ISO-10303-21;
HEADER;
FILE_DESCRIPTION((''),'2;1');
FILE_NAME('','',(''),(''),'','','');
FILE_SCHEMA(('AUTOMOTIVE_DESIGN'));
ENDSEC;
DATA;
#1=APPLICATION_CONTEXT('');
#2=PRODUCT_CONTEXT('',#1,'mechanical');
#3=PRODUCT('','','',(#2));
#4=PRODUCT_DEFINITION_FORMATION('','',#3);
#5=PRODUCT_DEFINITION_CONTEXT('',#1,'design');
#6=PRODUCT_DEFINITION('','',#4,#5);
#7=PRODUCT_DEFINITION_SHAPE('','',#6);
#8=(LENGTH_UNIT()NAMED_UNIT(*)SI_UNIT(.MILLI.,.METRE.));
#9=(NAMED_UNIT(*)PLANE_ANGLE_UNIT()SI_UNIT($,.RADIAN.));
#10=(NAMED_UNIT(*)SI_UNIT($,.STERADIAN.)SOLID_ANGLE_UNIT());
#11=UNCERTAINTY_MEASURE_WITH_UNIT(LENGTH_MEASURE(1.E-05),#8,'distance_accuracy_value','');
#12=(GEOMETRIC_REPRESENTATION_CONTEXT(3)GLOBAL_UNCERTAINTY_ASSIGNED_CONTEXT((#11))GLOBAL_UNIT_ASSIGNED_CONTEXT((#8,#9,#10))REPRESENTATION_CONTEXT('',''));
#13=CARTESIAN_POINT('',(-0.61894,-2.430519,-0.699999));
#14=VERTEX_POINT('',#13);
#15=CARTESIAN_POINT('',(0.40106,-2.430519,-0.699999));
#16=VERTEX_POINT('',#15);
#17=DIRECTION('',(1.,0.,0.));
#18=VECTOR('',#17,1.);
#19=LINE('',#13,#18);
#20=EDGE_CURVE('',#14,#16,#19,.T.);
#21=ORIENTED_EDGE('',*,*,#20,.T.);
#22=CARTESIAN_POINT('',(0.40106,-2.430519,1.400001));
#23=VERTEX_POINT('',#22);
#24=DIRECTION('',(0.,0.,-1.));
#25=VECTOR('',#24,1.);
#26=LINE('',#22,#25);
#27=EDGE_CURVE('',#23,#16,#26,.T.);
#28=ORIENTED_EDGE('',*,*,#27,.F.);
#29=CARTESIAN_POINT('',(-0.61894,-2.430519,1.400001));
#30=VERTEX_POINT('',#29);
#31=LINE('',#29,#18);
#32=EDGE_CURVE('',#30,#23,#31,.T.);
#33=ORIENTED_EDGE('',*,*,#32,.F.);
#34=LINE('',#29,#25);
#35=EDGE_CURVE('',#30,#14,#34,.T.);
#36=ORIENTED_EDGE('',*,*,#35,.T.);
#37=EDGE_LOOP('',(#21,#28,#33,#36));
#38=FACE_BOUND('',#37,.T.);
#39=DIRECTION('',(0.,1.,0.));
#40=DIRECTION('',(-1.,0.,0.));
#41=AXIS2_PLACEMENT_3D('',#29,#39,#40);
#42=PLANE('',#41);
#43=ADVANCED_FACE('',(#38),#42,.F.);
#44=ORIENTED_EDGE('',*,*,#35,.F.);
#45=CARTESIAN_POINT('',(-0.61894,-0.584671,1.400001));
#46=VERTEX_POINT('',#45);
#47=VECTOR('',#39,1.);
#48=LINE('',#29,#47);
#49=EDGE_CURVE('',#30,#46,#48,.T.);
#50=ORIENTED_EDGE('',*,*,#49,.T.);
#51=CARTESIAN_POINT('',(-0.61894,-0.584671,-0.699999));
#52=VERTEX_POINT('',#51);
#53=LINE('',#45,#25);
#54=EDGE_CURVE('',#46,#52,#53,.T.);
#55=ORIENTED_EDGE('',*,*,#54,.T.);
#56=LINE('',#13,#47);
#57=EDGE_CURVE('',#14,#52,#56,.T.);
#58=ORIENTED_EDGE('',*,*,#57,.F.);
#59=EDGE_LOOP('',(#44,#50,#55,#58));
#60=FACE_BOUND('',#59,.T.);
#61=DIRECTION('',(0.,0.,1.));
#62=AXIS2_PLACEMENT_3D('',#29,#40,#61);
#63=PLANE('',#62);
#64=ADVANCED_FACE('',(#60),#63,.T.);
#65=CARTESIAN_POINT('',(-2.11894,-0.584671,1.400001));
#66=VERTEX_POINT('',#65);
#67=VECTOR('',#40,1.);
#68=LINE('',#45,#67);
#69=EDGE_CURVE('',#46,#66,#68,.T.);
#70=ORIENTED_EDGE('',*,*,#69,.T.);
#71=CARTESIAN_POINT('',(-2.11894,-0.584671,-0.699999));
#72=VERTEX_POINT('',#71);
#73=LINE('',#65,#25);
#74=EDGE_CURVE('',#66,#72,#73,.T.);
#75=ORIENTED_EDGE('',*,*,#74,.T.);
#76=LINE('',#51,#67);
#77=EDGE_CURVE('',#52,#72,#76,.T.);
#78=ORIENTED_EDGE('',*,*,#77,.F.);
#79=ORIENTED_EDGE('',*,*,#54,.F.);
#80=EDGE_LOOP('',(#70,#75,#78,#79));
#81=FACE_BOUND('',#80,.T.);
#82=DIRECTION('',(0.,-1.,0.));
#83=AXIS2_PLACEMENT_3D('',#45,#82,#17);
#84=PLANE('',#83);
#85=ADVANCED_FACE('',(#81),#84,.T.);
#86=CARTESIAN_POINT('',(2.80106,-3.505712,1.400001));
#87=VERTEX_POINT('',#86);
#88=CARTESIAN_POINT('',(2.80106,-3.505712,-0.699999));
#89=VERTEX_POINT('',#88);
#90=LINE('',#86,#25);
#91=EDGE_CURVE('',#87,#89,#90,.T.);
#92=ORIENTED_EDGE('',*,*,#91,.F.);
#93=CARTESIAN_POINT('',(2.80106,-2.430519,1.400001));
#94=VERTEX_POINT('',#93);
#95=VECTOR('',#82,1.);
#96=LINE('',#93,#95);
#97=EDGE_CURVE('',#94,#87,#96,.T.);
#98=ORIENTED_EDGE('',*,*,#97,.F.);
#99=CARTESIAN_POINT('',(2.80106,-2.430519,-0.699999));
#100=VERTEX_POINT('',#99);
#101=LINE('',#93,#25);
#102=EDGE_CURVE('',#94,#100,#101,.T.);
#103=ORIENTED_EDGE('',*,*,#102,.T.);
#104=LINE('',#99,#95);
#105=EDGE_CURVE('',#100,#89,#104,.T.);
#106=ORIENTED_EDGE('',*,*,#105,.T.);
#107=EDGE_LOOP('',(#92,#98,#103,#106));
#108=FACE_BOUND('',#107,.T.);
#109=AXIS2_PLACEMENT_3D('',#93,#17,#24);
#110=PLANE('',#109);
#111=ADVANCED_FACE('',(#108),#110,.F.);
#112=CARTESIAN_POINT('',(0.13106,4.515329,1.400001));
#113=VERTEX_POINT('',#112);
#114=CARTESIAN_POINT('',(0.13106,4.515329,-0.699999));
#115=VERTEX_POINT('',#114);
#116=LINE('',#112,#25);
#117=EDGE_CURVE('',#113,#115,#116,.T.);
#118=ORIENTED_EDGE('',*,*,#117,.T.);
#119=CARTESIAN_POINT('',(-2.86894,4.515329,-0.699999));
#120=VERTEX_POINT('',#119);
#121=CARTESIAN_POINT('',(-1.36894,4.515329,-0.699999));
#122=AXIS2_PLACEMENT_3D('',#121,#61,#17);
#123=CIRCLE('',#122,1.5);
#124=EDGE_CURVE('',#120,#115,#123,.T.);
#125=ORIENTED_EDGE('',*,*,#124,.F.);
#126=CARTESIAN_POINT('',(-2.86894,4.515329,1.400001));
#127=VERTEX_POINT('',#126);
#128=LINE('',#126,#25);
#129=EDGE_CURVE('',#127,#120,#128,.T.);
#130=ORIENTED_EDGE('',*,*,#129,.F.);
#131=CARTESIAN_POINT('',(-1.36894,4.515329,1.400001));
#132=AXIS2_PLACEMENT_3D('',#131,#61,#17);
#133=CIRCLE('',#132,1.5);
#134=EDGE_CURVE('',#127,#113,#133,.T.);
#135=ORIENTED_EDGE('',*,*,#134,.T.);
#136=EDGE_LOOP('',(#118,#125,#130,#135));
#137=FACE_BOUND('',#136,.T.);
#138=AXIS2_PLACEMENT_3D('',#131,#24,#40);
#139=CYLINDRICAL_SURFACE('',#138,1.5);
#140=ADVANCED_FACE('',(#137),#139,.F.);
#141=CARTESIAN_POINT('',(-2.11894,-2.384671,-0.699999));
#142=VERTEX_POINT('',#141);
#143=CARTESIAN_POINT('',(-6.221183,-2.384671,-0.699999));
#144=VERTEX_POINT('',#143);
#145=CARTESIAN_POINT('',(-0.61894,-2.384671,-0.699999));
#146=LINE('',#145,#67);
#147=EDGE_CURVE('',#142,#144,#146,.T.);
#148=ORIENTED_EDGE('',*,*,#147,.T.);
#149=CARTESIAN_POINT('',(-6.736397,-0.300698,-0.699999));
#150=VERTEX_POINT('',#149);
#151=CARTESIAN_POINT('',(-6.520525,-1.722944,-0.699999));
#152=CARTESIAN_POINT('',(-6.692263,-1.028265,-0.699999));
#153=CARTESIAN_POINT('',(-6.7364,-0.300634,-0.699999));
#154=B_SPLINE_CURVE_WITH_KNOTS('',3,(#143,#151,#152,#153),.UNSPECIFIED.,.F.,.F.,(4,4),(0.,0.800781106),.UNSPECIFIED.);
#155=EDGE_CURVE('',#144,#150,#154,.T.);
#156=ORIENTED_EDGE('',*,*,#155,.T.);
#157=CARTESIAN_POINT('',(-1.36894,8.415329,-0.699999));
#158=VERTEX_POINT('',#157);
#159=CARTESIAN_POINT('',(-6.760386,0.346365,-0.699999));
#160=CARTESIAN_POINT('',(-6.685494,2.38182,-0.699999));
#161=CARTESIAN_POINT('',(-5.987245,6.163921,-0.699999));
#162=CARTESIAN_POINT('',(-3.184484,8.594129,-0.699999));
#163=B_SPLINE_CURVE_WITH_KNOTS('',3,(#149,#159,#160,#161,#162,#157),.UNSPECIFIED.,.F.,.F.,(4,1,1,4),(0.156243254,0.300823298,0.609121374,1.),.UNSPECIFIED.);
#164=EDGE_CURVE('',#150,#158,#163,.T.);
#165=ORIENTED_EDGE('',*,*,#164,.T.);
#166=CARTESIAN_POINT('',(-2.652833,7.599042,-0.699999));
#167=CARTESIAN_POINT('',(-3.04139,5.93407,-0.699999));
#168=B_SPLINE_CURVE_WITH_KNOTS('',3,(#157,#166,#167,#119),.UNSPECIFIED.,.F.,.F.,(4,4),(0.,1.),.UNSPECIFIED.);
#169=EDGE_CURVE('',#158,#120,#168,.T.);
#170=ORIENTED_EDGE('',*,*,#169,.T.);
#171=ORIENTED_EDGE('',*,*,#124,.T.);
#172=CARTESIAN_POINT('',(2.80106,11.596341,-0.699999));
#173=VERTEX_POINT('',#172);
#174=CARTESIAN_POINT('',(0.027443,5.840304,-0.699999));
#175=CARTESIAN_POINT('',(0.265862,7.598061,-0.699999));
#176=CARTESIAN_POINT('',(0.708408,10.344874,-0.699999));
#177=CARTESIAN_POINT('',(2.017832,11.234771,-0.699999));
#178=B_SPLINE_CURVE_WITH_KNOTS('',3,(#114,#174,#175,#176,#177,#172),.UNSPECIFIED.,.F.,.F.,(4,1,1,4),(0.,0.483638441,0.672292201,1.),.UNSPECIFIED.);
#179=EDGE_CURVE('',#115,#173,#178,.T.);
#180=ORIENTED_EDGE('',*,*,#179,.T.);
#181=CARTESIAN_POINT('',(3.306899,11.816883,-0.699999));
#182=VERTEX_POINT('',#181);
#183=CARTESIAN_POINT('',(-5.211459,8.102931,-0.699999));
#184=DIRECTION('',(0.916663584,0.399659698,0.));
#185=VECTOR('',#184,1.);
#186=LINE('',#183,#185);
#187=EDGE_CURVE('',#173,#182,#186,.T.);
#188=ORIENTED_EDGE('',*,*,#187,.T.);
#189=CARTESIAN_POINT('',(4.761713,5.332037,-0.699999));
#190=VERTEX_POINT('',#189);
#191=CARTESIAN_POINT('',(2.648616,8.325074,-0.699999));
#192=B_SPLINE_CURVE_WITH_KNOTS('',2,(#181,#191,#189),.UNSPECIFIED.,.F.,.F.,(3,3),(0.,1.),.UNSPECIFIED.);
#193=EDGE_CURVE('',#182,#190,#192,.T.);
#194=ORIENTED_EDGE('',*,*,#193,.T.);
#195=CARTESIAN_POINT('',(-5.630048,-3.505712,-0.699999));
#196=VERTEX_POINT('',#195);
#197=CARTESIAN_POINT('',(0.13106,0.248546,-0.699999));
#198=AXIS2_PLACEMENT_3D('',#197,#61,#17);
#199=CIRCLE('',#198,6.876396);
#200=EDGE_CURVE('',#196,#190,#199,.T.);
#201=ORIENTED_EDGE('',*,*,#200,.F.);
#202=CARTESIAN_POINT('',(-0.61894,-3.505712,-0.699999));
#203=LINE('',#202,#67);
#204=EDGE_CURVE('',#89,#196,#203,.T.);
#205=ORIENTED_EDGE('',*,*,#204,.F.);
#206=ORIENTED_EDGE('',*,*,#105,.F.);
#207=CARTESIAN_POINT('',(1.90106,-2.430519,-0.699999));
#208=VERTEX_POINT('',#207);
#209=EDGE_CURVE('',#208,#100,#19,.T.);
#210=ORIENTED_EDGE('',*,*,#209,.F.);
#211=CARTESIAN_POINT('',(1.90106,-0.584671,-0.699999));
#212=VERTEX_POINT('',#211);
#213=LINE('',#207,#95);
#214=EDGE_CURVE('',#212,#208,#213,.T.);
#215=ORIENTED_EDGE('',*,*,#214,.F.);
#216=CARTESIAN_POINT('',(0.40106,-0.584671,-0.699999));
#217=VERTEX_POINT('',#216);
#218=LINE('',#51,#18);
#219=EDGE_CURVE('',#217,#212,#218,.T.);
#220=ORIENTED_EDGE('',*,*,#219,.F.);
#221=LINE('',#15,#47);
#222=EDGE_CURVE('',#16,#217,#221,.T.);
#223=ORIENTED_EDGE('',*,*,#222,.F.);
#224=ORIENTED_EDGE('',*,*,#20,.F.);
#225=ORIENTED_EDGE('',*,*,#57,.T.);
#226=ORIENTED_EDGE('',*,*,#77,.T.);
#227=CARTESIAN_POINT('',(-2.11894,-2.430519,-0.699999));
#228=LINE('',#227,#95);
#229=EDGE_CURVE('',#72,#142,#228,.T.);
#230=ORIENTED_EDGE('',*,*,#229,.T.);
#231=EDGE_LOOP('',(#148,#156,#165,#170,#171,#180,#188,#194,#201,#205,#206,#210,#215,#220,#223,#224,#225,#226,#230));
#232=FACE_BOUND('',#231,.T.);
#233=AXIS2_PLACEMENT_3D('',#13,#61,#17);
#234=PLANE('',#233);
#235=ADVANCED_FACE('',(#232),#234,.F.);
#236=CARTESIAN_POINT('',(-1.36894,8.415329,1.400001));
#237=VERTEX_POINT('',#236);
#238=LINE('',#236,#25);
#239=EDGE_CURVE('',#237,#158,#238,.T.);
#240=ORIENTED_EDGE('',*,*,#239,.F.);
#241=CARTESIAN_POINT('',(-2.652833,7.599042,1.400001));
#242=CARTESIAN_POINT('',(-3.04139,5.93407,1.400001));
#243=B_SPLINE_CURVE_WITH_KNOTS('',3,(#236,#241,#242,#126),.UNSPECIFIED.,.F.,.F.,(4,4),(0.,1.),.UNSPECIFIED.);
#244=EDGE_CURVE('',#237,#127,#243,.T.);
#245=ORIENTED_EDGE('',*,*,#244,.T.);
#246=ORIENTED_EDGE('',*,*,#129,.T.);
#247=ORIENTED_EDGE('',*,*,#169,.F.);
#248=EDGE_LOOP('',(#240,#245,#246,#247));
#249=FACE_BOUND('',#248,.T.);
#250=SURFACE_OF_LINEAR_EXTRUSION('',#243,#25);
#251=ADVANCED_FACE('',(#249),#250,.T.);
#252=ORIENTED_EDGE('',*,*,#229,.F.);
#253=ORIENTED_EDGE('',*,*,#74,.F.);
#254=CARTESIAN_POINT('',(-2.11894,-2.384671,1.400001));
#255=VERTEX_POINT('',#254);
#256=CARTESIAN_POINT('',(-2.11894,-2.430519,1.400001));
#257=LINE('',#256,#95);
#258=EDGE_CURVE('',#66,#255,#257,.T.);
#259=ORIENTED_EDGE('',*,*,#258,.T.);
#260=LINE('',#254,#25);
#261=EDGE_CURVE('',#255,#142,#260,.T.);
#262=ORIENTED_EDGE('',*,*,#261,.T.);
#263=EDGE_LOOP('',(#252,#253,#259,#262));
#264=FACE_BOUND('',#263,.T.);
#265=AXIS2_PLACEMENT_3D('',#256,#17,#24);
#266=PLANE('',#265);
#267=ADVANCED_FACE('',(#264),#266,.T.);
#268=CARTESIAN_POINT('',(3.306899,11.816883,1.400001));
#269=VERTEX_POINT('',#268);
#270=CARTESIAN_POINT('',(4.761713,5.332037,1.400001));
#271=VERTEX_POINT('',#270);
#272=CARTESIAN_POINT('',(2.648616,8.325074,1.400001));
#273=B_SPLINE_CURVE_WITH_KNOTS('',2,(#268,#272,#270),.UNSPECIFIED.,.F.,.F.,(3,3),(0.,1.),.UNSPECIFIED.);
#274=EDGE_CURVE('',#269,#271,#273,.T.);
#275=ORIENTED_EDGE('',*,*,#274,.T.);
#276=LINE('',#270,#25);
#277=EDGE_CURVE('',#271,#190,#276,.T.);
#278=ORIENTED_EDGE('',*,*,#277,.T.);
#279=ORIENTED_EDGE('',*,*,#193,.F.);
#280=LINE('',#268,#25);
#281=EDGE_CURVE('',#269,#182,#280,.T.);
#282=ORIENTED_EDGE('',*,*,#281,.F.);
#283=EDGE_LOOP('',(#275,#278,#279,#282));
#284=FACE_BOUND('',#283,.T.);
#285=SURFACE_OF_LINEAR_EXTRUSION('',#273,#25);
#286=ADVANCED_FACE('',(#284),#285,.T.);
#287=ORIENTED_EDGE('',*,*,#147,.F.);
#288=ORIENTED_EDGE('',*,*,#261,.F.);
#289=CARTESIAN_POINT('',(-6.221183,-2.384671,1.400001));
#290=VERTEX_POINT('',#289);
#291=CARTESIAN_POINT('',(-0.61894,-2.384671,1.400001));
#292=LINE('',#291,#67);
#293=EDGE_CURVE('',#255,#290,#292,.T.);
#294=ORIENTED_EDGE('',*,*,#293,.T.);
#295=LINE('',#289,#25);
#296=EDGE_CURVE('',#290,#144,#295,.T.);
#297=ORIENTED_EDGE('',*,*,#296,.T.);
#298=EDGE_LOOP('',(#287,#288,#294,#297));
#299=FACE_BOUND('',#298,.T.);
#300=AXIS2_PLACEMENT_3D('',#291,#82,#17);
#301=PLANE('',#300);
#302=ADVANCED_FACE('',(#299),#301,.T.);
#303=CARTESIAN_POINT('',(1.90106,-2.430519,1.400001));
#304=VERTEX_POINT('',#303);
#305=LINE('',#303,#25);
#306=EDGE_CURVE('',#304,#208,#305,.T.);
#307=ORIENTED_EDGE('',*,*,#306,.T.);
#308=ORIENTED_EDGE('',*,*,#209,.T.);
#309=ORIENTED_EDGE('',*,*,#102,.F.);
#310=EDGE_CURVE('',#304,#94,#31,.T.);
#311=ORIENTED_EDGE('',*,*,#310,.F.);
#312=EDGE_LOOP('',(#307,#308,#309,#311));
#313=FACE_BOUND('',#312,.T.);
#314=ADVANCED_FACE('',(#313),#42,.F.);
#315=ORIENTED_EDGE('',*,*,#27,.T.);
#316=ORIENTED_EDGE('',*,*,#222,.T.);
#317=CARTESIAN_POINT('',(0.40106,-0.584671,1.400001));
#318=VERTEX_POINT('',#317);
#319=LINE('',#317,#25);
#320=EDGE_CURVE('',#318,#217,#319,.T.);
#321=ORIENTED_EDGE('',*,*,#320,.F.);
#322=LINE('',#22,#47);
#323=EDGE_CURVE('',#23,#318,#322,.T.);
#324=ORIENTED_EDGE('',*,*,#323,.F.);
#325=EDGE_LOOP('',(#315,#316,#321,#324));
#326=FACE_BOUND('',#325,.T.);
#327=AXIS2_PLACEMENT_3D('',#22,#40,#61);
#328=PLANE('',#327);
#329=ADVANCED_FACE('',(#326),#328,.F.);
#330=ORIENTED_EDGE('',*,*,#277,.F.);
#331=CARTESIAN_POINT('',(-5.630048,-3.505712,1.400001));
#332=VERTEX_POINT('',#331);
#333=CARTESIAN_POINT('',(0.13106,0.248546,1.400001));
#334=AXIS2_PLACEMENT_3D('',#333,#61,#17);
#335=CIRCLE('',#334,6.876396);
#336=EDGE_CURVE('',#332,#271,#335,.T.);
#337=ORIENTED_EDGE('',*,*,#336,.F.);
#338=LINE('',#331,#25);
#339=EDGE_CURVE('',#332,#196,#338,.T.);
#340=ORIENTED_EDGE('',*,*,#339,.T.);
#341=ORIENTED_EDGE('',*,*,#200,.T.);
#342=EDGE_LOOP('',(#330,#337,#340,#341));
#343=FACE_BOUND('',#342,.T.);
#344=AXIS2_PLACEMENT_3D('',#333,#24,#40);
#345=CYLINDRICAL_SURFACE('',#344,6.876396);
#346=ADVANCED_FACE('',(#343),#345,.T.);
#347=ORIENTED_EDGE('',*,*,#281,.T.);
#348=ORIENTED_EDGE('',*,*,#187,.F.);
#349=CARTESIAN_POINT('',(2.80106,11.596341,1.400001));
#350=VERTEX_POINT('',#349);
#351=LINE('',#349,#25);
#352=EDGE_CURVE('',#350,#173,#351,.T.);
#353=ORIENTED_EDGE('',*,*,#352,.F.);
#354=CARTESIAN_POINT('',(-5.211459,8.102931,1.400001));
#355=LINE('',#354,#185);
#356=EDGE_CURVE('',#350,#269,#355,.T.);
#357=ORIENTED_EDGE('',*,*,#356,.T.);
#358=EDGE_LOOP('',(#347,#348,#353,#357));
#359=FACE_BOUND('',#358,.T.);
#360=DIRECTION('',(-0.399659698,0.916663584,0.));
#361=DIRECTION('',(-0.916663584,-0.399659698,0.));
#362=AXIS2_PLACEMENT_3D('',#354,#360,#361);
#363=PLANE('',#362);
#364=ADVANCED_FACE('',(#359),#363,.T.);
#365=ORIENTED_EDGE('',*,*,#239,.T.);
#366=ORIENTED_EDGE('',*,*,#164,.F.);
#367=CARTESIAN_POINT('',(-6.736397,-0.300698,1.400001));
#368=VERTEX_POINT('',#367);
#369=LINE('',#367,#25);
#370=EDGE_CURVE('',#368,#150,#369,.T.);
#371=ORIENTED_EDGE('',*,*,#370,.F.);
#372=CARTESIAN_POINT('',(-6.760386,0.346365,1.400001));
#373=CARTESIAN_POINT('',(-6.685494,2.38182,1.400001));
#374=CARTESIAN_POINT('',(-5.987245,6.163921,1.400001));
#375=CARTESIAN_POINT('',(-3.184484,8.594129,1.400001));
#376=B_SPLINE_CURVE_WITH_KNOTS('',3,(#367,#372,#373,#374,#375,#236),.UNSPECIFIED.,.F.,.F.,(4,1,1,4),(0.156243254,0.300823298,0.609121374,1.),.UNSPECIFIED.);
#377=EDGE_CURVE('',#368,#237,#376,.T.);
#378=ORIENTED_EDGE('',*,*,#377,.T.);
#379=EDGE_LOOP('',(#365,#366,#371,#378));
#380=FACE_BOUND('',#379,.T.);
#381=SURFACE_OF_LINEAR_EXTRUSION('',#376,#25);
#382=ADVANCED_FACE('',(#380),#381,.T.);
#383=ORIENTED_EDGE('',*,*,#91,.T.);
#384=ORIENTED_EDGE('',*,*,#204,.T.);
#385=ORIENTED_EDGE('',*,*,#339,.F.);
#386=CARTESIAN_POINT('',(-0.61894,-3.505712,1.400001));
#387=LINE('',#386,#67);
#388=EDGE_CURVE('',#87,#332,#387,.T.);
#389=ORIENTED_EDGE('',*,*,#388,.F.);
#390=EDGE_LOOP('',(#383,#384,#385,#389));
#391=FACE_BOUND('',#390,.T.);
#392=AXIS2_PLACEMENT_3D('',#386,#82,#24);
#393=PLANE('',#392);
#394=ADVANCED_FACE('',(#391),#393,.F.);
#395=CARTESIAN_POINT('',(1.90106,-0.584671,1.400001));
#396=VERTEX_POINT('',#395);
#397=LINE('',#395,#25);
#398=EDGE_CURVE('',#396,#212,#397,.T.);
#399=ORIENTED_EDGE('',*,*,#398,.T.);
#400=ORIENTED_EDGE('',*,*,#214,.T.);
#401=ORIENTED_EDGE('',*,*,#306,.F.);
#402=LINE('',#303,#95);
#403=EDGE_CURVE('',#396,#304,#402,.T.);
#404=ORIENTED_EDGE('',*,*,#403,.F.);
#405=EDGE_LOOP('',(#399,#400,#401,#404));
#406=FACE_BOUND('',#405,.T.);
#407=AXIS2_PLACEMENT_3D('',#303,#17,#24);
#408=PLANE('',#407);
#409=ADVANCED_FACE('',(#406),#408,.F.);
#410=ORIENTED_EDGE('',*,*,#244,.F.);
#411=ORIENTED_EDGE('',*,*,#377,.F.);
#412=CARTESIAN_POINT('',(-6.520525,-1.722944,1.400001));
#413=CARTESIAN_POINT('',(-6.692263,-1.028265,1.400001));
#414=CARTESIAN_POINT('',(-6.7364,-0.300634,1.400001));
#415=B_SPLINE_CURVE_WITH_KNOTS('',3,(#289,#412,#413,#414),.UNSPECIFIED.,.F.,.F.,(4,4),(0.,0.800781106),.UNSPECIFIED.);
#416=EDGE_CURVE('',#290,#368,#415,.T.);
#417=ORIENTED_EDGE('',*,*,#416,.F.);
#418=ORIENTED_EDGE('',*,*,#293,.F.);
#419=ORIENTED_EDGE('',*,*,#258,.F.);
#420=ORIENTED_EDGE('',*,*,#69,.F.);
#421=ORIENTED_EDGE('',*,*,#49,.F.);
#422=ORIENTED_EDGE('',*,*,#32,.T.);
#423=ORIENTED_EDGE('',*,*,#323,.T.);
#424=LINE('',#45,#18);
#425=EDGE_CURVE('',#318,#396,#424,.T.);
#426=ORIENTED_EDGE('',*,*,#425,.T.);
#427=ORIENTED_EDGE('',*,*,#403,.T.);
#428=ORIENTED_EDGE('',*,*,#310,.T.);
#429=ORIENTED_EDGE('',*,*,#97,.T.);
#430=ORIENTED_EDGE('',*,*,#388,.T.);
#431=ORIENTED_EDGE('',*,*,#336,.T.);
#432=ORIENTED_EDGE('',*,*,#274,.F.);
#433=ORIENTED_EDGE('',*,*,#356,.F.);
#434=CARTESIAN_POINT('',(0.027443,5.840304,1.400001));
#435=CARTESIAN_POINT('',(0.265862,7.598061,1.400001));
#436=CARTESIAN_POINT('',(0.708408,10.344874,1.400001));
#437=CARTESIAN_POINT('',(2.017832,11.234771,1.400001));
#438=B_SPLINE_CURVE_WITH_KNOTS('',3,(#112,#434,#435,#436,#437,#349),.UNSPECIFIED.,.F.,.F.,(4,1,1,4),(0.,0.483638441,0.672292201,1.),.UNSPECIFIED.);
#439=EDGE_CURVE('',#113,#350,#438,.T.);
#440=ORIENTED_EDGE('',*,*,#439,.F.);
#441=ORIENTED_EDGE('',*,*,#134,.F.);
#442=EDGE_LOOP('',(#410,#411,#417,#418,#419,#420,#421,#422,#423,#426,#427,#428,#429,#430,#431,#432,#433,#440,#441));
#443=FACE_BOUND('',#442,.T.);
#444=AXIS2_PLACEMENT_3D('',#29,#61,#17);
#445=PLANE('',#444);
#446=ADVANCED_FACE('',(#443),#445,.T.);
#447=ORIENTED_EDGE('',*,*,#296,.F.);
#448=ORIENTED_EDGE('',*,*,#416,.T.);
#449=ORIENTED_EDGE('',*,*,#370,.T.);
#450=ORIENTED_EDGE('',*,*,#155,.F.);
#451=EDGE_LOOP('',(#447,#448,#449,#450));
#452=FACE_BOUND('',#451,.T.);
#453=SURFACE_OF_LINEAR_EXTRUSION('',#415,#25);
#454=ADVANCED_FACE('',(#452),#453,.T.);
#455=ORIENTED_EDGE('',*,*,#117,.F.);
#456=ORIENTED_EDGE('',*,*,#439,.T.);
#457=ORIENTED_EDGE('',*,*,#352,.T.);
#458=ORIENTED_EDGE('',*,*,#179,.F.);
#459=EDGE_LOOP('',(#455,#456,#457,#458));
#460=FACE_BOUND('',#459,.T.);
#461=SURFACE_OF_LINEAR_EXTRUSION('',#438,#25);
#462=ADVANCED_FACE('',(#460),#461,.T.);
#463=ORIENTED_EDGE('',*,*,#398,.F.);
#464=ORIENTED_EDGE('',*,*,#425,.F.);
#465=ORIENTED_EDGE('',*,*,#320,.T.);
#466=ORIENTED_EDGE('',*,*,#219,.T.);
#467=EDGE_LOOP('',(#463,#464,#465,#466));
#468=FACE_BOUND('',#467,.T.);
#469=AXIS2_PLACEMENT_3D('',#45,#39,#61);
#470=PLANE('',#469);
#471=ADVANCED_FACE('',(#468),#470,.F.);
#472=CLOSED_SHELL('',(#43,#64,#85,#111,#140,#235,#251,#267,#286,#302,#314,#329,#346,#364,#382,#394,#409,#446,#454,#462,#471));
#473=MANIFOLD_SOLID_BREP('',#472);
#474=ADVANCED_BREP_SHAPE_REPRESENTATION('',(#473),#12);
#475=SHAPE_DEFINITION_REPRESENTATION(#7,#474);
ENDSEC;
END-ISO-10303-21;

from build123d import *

# Parameters (mm, degrees)
BOSS_EXTRUDE1_DEPTH = 0.7
SCALE1_SCALE        = 3


with BuildPart() as part:
    # Sketch1 → Boss-Extrude1 (new body)
    with BuildSketch(Plane.XY):
        with BuildLine():
            add(Edge.make_bspline(
                [(1.308612852, 4.749134037), (1.089185384, 3.585197579), (1.793550911, 2.587518606)],
                knots=[0, 0, 0, 1, 1, 1], degree=2))
            ThreePointArc((1.793550911, 2.587518606), (1.734959229, -0.853049688), (-1.670369344, -0.358397807))
            Line((-1.670369344, -0.358397807), (1.14, -0.358397807))
            Line((1.14, -0.358397807), (1.14, 0))
            Line((1.14, 0), (0.84, 0))
            Line((0.84, 0), (0.84, 0.615282796))
            Line((0.84, 0.615282796), (0.34, 0.615282796))
            Line((0.34, 0.615282796), (0.34, 0))
            Line((0.34, 0), (0, 0))
            Line((0, 0), (0, 0.615282796))
            Line((0, 0.615282796), (-0.5, 0.615282796))
            Line((-0.5, 0.615282796), (-0.5, 0.015282796))
            Line((-0.5, 0.015282796), (-1.86741437, 0.015282796))
            add(Edge.make_bspline(
                [(-1.86741437, 0.015282796), (-1.967195235, 0.235858372), (-2.024440964, 0.467418027), (-2.039152584, 0.709940467)],
                knots=[0, 0, 0, 0, 0.800781106, 0.800781106, 0.800781106, 0.800781106], degree=3))
            add(Edge.make_bspline(
                [(-2.039152584, 0.709940467), (-2.047148733, 0.925627975), (-2.02218467, 1.604112941), (-1.789435207, 2.864813182), (-0.855181509, 3.674882666), (-0.25, 3.615282796)],
                knots=[0.156243254, 0.156243254, 0.156243254, 0.156243254, 0.300823298, 0.609121374, 1, 1, 1, 1], degree=3))
            add(Edge.make_bspline(
                [(-0.25, 3.615282796), (-0.677964438, 3.343186963), (-0.807483326, 2.788196328), (-0.75, 2.315282796)],
                knots=[0, 0, 0, 0, 1, 1, 1, 1], degree=3))
            ThreePointArc((-0.75, 2.315282796), (-0.25, 1.815282796), (0.25, 2.315282796))
            add(Edge.make_bspline(
                [(0.25, 2.315282796), (0.215460935, 2.756941027), (0.29493392, 3.342860109), (0.442449357, 4.258464168), (0.878924002, 4.555096789), (1.14, 4.675619868)],
                knots=[0, 0, 0, 0, 0.483638441, 0.672292201, 1, 1, 1, 1], degree=3))
            add(Edge.make_bspline(
                [(1.14, 4.675619868), (1.224306426, 4.712376952), (1.308612852, 4.749134037)],
                knots=[0, 0, 0, 0.865241942, 0.865241942, 0.865241942], degree=2))
        make_face()
    extrude(amount=BOSS_EXTRUDE1_DEPTH)


with BuildPart() as part_1:
    # Scale1: scaled about (0.30944177, 1.215178074, 0.35)
    add(part.part.scale(SCALE1_SCALE).moved(Location((-0.61888354, -2.430356148, -0.7))))


solid = part_1.part
